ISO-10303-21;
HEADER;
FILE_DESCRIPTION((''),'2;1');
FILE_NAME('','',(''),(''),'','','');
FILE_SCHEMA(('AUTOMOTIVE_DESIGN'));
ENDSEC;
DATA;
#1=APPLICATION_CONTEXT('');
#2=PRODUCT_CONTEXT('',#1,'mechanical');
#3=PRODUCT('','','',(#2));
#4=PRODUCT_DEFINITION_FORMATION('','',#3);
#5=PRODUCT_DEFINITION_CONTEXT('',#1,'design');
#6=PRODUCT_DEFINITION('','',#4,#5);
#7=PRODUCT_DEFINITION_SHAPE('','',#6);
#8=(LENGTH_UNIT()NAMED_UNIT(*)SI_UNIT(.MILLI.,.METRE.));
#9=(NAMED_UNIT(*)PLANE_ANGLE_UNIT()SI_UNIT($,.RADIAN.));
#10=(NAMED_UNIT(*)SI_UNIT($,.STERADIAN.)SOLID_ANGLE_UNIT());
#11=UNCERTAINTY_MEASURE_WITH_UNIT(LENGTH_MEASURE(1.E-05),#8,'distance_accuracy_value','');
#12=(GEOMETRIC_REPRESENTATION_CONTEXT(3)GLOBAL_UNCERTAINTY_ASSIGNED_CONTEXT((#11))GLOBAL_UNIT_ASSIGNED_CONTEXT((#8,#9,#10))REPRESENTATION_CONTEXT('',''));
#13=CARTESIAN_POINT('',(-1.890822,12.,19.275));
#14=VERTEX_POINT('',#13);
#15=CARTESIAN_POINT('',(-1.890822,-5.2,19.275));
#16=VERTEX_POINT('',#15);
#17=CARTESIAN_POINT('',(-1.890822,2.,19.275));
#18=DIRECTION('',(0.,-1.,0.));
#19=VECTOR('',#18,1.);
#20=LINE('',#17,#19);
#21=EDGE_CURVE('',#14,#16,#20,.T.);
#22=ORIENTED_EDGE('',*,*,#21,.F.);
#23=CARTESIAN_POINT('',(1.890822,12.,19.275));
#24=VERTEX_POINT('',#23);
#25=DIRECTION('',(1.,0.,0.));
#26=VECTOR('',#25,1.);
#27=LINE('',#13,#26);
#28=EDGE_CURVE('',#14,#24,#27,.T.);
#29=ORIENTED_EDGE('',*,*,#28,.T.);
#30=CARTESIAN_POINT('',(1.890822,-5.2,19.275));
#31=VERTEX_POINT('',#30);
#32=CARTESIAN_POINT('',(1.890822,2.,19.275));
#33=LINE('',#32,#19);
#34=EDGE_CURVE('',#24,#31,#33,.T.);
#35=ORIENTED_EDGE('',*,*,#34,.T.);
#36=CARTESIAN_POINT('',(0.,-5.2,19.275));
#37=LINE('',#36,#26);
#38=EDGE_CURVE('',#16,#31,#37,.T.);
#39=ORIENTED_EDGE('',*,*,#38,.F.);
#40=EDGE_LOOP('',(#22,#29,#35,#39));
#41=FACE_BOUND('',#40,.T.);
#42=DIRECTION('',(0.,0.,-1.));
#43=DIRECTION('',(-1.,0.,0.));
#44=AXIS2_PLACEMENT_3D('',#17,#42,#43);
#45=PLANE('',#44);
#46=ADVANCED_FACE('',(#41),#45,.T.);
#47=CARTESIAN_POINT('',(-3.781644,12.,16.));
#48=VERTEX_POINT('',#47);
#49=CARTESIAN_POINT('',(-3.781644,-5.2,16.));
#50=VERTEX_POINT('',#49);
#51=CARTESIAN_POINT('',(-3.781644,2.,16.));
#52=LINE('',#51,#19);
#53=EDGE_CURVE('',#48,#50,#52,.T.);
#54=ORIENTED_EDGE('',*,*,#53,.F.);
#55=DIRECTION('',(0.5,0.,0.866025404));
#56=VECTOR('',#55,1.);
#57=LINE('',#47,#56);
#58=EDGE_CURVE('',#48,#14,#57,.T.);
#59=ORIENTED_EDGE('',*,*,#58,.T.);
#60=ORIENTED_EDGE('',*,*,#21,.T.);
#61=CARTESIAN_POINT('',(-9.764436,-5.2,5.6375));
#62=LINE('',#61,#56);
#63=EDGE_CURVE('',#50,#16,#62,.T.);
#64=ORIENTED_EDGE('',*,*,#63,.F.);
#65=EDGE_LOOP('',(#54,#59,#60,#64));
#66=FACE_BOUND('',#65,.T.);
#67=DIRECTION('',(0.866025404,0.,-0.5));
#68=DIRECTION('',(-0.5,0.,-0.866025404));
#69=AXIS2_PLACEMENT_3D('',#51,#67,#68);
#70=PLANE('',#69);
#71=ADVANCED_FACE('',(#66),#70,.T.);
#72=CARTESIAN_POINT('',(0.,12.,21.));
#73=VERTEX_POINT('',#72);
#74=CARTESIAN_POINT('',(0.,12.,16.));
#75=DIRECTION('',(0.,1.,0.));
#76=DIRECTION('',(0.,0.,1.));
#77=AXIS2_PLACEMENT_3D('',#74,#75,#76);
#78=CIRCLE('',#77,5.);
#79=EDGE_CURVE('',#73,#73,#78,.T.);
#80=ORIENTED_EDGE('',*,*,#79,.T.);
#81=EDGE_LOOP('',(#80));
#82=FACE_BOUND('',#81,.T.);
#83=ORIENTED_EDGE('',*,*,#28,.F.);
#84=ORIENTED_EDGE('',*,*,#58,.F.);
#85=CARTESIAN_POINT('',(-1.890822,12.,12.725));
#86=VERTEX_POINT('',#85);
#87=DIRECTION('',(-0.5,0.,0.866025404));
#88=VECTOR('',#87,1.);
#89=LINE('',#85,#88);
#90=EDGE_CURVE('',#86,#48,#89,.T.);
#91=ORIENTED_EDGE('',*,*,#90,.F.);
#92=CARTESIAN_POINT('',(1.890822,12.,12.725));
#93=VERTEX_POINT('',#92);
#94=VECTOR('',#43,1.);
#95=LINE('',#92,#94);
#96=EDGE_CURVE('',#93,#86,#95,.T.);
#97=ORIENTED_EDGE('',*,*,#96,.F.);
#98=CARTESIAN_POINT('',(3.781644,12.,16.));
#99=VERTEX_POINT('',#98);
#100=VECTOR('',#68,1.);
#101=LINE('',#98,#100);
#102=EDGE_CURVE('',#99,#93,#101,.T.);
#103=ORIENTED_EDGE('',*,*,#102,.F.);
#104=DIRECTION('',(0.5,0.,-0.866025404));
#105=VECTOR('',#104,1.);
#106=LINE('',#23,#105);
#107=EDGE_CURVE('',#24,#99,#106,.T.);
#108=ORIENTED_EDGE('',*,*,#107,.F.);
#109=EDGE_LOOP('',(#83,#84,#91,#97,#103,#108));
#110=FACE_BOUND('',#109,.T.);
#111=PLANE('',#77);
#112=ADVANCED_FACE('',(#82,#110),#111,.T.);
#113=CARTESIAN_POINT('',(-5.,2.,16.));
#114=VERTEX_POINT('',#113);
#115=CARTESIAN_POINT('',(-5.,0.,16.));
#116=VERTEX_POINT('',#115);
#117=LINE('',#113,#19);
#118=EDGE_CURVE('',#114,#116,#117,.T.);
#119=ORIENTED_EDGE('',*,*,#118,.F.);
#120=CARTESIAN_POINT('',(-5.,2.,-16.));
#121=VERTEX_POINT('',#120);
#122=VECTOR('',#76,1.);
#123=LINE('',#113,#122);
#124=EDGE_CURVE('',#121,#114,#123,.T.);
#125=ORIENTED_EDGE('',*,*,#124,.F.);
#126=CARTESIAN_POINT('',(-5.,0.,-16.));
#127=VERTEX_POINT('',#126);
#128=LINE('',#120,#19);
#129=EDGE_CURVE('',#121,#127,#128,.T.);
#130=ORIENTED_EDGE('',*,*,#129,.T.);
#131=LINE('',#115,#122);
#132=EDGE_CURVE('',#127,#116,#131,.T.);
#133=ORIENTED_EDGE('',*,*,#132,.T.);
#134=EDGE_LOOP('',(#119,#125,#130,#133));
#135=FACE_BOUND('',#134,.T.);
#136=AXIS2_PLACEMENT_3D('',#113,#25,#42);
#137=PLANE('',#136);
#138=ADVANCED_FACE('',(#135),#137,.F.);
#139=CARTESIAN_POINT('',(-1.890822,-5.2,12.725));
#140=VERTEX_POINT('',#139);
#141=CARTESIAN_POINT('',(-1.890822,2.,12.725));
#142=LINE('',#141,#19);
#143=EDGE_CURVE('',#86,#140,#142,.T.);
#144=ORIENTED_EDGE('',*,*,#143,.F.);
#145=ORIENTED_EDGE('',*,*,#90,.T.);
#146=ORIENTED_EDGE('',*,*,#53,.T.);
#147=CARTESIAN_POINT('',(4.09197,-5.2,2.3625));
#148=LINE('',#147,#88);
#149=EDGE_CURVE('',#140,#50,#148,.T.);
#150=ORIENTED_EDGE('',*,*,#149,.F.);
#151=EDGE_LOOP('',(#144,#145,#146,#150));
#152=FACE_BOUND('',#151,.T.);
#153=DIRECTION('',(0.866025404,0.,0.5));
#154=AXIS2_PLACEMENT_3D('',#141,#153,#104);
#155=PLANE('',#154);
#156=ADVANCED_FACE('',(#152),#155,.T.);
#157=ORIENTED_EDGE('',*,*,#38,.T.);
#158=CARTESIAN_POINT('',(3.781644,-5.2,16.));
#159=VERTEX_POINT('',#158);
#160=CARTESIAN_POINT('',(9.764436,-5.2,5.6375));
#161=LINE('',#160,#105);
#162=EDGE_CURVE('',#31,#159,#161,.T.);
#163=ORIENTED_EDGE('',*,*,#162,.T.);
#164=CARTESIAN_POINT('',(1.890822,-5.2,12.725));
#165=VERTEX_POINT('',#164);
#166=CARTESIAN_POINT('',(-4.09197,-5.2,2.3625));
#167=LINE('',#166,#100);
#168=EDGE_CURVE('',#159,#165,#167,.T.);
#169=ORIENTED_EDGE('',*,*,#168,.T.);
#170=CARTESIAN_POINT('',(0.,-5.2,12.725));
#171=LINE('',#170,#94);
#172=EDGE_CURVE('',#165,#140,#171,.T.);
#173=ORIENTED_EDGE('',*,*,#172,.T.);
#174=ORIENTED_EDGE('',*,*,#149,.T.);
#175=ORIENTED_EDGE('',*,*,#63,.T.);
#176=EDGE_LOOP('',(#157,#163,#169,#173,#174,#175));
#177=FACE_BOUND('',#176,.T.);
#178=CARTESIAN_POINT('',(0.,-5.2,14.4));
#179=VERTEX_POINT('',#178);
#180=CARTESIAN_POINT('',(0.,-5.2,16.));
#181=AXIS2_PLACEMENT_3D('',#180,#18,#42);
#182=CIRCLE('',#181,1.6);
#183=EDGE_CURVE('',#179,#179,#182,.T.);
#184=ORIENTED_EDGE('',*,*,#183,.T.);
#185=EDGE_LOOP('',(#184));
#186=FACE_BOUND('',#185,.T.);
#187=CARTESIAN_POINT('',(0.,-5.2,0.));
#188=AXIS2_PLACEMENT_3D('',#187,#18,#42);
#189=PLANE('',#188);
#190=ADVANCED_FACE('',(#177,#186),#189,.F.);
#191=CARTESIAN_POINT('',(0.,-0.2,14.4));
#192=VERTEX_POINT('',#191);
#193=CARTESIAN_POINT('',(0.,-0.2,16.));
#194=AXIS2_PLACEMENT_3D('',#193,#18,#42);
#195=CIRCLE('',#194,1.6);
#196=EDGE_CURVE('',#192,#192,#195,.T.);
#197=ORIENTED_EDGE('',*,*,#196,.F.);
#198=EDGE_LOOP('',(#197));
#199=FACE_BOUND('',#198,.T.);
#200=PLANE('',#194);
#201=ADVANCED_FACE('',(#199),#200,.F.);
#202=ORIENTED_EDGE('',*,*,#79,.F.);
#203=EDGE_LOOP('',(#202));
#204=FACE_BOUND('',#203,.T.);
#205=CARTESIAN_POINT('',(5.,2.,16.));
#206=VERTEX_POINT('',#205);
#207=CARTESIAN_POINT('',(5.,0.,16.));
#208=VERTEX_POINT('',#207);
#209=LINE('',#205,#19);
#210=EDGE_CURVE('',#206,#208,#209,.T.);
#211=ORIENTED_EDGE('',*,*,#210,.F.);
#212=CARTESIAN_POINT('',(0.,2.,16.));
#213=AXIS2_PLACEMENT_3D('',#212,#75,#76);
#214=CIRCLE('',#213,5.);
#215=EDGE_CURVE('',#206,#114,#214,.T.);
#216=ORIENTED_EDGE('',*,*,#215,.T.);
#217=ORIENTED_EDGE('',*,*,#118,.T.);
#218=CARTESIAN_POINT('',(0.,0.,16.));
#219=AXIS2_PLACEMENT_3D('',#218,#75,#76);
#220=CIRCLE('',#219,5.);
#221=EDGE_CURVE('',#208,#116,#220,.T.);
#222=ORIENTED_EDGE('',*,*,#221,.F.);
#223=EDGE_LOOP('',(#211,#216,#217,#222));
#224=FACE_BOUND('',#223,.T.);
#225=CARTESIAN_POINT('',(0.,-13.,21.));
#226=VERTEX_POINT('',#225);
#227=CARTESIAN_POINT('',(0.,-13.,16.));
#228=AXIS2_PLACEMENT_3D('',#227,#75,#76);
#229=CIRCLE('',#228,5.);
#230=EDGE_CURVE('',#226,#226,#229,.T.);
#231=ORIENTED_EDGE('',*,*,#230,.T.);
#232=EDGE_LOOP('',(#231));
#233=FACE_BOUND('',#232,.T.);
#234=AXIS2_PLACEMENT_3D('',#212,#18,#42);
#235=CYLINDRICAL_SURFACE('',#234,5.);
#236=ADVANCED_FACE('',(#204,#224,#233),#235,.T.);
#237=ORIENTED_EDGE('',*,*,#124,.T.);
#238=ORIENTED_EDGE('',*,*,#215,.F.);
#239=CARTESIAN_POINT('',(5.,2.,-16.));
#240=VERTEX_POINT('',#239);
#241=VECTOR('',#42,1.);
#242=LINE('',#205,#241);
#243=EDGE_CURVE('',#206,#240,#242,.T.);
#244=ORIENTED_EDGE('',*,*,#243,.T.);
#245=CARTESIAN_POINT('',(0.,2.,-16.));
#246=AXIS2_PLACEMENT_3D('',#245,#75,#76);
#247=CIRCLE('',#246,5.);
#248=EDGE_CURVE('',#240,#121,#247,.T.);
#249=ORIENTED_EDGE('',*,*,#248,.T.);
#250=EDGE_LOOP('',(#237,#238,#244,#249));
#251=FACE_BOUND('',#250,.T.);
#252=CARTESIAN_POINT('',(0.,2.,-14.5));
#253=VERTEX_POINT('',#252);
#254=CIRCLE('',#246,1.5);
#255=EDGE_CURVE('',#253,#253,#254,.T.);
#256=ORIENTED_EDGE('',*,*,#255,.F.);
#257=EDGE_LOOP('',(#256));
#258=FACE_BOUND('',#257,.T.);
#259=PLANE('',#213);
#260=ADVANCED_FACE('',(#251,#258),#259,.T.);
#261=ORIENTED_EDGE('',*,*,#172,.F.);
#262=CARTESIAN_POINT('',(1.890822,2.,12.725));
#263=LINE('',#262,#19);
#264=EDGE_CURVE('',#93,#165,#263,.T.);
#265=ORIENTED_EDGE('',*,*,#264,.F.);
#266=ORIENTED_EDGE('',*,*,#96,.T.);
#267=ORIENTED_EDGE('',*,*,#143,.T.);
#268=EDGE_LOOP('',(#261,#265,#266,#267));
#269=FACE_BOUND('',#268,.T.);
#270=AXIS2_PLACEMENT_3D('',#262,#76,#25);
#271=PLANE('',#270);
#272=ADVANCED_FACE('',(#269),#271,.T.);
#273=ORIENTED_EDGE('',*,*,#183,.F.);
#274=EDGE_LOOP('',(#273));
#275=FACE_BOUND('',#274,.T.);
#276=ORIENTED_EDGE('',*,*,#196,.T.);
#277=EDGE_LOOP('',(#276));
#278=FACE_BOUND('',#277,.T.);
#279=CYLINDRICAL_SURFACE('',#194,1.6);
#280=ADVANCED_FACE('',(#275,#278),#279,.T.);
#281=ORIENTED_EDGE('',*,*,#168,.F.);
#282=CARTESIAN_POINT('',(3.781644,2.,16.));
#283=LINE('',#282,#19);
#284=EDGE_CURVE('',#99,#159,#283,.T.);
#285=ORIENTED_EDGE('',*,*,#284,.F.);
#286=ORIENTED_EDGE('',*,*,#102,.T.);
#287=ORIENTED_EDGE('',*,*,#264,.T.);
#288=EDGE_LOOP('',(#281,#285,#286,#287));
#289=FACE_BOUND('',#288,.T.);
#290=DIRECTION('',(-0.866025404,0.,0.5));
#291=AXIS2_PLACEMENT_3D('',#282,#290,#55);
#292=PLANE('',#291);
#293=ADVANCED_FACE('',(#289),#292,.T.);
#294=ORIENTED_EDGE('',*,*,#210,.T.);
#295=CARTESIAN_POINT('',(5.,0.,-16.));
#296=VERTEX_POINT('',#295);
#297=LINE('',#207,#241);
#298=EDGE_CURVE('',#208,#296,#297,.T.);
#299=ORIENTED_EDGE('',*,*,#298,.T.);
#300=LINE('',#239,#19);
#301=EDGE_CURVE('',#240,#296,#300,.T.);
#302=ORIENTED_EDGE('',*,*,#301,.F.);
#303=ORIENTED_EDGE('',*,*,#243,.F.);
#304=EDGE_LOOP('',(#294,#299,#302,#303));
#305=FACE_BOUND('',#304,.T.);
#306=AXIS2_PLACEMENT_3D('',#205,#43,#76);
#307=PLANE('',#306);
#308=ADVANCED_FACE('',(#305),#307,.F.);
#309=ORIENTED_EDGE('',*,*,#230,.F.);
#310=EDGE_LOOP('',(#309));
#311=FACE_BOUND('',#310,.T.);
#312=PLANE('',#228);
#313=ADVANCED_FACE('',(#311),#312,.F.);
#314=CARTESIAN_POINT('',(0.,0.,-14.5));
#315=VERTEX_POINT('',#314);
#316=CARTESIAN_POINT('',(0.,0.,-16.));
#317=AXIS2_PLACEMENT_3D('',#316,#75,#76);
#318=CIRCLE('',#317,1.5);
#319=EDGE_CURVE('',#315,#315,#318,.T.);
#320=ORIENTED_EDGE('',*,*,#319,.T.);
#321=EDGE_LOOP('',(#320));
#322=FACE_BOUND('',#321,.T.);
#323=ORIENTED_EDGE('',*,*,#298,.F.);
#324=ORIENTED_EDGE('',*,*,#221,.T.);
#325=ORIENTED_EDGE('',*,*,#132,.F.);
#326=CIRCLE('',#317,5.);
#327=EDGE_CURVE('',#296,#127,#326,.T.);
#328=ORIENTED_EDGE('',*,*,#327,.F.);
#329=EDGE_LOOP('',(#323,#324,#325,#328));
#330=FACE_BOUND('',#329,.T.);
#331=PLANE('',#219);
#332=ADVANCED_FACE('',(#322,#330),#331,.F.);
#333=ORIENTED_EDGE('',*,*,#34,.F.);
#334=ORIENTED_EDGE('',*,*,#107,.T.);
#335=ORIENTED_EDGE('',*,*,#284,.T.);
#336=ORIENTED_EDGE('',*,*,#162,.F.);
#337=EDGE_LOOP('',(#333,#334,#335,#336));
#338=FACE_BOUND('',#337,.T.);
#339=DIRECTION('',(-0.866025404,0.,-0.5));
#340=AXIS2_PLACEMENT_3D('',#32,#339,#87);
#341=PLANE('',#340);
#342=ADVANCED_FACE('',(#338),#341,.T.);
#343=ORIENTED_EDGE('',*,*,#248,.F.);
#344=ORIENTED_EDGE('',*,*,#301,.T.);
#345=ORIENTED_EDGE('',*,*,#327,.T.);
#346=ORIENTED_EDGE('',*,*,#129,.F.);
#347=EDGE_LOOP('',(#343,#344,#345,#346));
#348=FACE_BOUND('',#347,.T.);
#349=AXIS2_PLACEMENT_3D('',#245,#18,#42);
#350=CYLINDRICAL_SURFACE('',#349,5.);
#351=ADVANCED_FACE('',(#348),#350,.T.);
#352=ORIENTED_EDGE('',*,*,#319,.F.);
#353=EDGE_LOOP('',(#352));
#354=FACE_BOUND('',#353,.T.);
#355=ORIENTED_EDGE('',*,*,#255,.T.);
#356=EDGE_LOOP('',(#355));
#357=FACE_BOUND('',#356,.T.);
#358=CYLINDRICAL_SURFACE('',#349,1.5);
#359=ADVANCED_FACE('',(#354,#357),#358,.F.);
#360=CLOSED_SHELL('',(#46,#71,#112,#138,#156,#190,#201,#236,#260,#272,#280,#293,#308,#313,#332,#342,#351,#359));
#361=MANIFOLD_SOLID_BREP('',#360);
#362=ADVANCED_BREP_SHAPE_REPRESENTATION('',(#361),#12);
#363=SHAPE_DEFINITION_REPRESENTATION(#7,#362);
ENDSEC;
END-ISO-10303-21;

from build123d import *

# Parameters (mm, degrees)
SKETCH_1_R      = 1.5
EXTRUDE_1_DEPTH = 2
SKETCH_2_R      = 5
EXTRUDE_2_DEPTH = 10
EXTRUDE_START   = -25
SKETCH_4_R      = 5
EXTRUDE_3_DEPTH = 25
EXTRUDE_4_DEPTH = 7.8
EXTRUDE_START_2 = -7.8
SKETCH_6_R      = 1.6
EXTRUDE_5_DEPTH = 5


with BuildPart() as part:
    # 草图1 → 凸台-拉伸1 (new body)
    with BuildSketch(Plane(origin=(0, 0, 0), x_dir=(1, 0, 0), z_dir=(0, 1, 0))):
        with BuildLine():
            Line((-5, -16), (-5, 16))
            ThreePointArc((-5, 16), (0, 21), (5, 16))
            Line((5, 16), (5, -16))
            ThreePointArc((5, -16), (0, -21), (-5, -16))
        make_face()
        with Locations(Location((0, 16, 0), (0, 0, 270))):
            Circle(SKETCH_1_R, mode=Mode.SUBTRACT)
        Polygon((1.890822132, -12.725), (-1.890822132, -12.725), (-3.781644263, -16), (-1.890822132, -19.275), (1.890822132, -19.275), (3.781644263, -16), align=None, mode=Mode.SUBTRACT)
    extrude(amount=EXTRUDE_1_DEPTH)

    # 草图2 → 凸台-拉伸2 (add)
    with BuildSketch(Plane(origin=(0, 2, 0), x_dir=(1, 0, 0), z_dir=(0, 1, 0))):
        with Locations((0, -16)):
            Circle(SKETCH_2_R)
        Polygon((3.781644263, -16), (1.890822132, -12.725), (-1.890822132, -12.725), (-3.781644263, -16), (-1.890822132, -19.275), (1.890822132, -19.275), align=None, mode=Mode.SUBTRACT)
    extrude(amount=EXTRUDE_2_DEPTH)

    # 草图4 → 凸台-拉伸3 (add)
    with BuildSketch(Plane(origin=(0, 12, 0), x_dir=(1, 0, 0), z_dir=(0, 1, 0)).offset(EXTRUDE_START)):
        with Locations(Location((0, -16, 0), (0, 0, 270))):
            Circle(SKETCH_4_R)
        Polygon((-1.890822132, -12.725), (1.890822132, -12.725), (3.781644263, -16), (1.890822132, -19.275), (-1.890822132, -19.275), (-3.781644263, -16), align=None, mode=Mode.SUBTRACT)
    extrude(amount=EXTRUDE_3_DEPTH)

    # 草图5 → 凸台-拉伸4 (add)
    with BuildSketch(Plane.XZ.offset(13)):
        Polygon((1.890822132, 12.725), (-1.890822132, 12.725), (-3.781644263, 16), (-1.890822132, 19.275), (1.890822132, 19.275), (3.781644263, 16), align=None)
    extrude(amount=-EXTRUDE_4_DEPTH)

    # 草图6 → 凸台-拉伸5 (add)
    with BuildSketch(Plane.XZ.offset(13).offset(EXTRUDE_START_2)):
        with Locations(Location((0, 16, 0), (0, 0, 270))):
            Circle(SKETCH_6_R)
    extrude(amount=-EXTRUDE_5_DEPTH)


solid = part.part
